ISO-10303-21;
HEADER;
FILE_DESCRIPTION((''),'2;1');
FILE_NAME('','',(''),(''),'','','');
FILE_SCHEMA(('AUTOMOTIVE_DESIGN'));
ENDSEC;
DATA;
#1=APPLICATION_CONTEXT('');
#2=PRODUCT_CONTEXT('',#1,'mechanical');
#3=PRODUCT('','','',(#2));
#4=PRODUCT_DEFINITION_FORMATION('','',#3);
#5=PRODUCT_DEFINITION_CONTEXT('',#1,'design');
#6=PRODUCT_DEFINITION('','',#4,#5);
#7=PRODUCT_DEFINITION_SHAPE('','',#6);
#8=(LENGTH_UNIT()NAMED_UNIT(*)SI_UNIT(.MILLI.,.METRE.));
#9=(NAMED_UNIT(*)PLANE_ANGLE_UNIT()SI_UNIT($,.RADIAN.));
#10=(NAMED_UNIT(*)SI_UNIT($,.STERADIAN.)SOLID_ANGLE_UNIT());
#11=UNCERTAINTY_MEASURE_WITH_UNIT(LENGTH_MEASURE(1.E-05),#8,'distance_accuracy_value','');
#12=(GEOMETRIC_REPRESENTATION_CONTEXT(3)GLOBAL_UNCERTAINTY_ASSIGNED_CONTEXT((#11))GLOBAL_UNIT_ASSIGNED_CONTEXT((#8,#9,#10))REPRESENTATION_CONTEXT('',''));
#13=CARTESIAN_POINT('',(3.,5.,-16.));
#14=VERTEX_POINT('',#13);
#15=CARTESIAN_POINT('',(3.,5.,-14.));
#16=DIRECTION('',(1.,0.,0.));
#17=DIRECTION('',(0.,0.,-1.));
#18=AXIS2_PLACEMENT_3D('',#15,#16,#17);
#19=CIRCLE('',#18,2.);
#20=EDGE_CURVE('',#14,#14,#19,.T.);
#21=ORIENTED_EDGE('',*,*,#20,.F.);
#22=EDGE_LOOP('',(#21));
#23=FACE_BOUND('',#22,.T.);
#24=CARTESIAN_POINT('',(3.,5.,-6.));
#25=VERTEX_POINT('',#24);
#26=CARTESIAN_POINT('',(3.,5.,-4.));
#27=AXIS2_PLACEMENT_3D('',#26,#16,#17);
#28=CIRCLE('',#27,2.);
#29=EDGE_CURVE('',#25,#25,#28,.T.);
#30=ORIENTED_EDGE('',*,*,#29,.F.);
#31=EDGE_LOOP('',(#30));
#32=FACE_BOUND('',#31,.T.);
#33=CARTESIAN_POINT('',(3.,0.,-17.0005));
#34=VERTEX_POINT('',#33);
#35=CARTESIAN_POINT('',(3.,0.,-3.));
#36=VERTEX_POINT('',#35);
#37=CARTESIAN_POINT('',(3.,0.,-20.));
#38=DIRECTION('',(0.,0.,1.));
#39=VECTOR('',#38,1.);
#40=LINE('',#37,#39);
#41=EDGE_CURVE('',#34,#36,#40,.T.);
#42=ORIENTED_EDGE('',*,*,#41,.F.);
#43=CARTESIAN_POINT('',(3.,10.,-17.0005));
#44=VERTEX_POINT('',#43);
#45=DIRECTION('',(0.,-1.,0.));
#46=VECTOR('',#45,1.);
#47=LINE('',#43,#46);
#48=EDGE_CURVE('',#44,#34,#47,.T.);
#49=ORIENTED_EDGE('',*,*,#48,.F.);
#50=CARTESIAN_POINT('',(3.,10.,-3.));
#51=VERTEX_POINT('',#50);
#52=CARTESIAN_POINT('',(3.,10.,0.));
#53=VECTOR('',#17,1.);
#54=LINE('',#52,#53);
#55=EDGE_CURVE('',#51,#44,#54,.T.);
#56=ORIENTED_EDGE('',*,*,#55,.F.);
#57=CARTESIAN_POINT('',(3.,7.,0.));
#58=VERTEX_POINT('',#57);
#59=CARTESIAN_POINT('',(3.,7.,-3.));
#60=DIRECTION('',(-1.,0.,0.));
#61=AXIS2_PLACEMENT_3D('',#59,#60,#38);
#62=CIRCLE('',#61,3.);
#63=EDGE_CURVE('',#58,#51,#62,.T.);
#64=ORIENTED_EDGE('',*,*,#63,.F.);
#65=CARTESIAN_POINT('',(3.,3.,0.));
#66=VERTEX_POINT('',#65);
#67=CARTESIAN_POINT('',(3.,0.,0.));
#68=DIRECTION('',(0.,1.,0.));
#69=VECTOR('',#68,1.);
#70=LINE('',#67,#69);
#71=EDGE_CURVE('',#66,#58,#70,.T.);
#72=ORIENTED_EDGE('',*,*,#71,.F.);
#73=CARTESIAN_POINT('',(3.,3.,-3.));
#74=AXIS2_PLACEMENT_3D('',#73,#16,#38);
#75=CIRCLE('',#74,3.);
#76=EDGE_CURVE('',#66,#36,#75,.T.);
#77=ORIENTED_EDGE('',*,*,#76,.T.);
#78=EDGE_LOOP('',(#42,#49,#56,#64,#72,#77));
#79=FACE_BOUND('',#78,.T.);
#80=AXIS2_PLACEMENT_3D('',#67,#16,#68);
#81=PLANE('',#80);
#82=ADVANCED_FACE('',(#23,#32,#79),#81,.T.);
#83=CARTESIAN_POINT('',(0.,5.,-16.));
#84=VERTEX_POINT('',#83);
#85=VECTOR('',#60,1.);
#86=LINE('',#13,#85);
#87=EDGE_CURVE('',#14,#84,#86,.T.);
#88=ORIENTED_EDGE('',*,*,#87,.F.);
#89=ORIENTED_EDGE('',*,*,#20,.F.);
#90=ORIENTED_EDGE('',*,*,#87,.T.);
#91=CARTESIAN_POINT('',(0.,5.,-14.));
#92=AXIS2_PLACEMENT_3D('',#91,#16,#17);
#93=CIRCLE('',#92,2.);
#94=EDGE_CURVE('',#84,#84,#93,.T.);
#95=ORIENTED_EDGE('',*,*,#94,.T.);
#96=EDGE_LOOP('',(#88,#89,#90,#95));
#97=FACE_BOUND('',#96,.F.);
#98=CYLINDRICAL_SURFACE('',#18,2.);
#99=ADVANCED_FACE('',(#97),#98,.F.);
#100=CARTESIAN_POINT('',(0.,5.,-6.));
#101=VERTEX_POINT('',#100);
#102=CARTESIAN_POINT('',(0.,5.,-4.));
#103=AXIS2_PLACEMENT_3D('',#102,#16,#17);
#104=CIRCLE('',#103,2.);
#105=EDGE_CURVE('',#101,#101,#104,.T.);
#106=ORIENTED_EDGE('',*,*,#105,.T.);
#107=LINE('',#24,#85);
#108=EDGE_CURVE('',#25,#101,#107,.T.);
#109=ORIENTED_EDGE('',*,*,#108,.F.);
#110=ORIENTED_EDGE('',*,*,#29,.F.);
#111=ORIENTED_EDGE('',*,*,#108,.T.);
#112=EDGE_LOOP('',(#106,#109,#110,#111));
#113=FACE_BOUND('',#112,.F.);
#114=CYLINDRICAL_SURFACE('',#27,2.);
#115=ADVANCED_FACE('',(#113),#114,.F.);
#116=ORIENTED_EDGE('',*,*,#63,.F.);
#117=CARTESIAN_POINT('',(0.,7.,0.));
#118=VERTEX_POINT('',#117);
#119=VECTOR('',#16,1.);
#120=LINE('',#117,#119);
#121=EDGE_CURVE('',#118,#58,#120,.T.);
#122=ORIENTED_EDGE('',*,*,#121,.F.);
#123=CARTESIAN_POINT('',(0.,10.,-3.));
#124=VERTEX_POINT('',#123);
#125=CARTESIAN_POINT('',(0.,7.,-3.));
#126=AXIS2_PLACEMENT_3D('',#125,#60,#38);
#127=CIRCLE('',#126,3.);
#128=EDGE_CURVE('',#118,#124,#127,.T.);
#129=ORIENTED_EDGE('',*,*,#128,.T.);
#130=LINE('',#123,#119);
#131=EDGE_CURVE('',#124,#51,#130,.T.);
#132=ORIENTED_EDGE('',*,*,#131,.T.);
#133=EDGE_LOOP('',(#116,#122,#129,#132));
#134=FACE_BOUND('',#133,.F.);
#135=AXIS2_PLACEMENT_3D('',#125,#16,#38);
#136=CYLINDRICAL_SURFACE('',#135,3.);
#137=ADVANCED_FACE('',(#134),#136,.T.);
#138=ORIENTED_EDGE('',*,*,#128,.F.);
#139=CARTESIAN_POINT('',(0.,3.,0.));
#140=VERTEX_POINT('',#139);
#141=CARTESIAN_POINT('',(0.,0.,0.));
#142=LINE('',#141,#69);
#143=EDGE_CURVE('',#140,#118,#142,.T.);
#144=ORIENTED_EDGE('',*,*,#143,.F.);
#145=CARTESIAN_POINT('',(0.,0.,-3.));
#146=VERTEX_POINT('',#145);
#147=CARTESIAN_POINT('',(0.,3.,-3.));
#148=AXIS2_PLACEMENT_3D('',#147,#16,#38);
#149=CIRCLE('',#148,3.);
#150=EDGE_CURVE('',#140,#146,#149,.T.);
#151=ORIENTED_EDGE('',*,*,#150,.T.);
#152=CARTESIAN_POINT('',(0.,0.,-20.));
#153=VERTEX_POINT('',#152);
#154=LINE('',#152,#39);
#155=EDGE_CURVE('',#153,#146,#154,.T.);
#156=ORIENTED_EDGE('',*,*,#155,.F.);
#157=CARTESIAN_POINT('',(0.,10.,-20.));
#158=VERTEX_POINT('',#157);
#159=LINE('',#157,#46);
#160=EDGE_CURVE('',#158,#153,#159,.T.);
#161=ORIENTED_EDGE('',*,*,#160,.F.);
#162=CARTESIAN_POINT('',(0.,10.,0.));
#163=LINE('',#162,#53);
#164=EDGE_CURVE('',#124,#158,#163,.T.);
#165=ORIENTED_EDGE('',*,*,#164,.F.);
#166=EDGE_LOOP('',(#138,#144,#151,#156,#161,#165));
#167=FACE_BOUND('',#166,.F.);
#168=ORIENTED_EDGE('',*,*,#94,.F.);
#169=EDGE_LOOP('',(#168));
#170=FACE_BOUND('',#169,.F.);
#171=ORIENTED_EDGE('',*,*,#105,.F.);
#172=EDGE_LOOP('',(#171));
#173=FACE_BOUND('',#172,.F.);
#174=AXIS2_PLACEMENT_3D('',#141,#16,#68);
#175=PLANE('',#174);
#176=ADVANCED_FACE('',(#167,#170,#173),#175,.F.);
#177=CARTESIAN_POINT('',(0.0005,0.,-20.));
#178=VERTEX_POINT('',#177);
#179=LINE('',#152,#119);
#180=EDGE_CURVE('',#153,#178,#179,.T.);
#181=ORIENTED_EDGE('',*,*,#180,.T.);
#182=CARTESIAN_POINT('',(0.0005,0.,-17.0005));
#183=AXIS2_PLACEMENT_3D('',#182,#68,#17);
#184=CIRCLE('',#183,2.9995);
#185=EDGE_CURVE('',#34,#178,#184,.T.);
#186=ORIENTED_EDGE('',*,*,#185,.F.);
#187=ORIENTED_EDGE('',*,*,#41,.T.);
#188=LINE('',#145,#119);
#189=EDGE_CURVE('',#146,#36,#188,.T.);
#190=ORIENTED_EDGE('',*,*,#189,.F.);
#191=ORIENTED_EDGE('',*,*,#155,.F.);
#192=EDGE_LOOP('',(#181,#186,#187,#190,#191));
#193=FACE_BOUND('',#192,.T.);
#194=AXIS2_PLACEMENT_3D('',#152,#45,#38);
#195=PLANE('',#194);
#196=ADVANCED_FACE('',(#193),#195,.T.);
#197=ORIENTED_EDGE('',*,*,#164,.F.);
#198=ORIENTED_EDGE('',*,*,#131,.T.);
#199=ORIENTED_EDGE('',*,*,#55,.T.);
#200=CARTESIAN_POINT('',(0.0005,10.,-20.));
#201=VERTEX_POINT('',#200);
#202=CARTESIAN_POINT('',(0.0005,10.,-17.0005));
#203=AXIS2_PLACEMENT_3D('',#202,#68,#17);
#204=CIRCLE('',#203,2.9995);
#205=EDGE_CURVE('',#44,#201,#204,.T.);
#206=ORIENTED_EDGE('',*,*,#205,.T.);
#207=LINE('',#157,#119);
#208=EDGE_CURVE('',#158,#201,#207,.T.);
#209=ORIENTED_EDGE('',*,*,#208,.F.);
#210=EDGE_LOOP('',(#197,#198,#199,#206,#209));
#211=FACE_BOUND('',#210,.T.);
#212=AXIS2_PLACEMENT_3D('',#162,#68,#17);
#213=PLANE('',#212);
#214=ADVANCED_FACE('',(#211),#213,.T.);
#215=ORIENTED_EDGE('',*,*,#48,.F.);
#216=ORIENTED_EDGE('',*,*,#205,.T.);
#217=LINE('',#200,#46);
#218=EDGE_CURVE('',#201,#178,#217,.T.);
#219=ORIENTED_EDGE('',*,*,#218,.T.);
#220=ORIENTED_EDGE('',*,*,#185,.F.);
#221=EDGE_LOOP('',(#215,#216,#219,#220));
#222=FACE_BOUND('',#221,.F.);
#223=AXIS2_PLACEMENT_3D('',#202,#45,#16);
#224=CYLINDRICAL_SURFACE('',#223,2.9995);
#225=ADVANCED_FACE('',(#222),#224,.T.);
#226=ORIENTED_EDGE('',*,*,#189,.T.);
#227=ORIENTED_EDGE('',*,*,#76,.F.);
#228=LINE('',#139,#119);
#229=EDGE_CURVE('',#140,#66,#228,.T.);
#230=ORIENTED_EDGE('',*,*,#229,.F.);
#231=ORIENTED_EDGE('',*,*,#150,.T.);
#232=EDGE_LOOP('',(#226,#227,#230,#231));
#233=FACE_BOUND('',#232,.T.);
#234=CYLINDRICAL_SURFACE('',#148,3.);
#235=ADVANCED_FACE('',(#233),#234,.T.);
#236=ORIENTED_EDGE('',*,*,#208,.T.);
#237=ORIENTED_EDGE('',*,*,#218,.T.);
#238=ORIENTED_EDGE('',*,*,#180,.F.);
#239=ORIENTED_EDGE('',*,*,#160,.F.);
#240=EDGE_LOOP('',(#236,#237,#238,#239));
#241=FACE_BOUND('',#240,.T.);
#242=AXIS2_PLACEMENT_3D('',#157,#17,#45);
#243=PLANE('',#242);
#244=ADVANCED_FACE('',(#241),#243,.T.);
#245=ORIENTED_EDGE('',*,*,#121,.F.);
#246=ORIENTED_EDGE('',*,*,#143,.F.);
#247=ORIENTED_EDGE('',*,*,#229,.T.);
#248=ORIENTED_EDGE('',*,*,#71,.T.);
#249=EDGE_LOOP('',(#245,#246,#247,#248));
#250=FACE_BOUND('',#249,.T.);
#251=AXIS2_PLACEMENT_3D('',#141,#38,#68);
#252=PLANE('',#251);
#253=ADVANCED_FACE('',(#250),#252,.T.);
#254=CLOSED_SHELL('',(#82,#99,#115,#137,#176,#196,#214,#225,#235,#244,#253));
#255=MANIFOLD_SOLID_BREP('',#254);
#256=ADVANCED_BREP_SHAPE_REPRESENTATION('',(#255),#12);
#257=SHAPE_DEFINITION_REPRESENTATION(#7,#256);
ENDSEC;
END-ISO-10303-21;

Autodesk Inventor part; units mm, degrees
ref_plane "YZ Plane" through (0, 0, 0) normal (1, 0, 0) x (0, 1, 0)
ref_plane "XZ Plane" through (0, 0, 0) normal (0, 1, 0) x (-1, 0, 0)
ref_plane "XY Plane" through (0, 0, 0) normal (0, 0, 1) x (1, 0, 0)
sketch "Sketch1" plane through (0, 0, 0) normal (1, 0, 0) x (0, 1, 0)
  point P0 (0, 0)
sketch "Sketch2" plane through (0, 0, 0) normal (1, 0, 0) x (0, 1, 0)
  line L0 (0, 0) -> (10, 0)
  line L1 (10, 0) -> (10, -20)
  line L2 (10, -20) -> (0, -20)
  line L3 (0, -20) -> (0, 0)
  dimension "d0" = 10
  dimension "d1" = 20
extrude "Extrusion1" add sketch "Sketch2" along normal blind 3
fillet "Fillet1" radius 3 1 edges at (1.5, 10, 0)
fillet "Fillet2" radius 3 1 edges at (1.5, 0, 0)
fillet "Fillet3" radius 3 1 edges at (3, 5, -20)
sketch "Sketch3" plane through (3, 0, 0) normal (1, 0, 0) x (0, 0, -1)
  circle A0 centre (4, 5) radius 2
  point P0 (0, 0)
  dimension "d14" = 4
extrude "Extrusion2" cut sketch "Sketch3" against normal blind 3
sketch "Sketch4" plane through (3, 0, 0) normal (1, 0, 0) x (0, 0, -1)
  circle A0 centre (14, 5) radius 2
  point P0 (0, 0)
  dimension "d10" = 4
extrude "Extrusion3" cut sketch "Sketch4" against normal blind 3
properties part number "holder 1"
